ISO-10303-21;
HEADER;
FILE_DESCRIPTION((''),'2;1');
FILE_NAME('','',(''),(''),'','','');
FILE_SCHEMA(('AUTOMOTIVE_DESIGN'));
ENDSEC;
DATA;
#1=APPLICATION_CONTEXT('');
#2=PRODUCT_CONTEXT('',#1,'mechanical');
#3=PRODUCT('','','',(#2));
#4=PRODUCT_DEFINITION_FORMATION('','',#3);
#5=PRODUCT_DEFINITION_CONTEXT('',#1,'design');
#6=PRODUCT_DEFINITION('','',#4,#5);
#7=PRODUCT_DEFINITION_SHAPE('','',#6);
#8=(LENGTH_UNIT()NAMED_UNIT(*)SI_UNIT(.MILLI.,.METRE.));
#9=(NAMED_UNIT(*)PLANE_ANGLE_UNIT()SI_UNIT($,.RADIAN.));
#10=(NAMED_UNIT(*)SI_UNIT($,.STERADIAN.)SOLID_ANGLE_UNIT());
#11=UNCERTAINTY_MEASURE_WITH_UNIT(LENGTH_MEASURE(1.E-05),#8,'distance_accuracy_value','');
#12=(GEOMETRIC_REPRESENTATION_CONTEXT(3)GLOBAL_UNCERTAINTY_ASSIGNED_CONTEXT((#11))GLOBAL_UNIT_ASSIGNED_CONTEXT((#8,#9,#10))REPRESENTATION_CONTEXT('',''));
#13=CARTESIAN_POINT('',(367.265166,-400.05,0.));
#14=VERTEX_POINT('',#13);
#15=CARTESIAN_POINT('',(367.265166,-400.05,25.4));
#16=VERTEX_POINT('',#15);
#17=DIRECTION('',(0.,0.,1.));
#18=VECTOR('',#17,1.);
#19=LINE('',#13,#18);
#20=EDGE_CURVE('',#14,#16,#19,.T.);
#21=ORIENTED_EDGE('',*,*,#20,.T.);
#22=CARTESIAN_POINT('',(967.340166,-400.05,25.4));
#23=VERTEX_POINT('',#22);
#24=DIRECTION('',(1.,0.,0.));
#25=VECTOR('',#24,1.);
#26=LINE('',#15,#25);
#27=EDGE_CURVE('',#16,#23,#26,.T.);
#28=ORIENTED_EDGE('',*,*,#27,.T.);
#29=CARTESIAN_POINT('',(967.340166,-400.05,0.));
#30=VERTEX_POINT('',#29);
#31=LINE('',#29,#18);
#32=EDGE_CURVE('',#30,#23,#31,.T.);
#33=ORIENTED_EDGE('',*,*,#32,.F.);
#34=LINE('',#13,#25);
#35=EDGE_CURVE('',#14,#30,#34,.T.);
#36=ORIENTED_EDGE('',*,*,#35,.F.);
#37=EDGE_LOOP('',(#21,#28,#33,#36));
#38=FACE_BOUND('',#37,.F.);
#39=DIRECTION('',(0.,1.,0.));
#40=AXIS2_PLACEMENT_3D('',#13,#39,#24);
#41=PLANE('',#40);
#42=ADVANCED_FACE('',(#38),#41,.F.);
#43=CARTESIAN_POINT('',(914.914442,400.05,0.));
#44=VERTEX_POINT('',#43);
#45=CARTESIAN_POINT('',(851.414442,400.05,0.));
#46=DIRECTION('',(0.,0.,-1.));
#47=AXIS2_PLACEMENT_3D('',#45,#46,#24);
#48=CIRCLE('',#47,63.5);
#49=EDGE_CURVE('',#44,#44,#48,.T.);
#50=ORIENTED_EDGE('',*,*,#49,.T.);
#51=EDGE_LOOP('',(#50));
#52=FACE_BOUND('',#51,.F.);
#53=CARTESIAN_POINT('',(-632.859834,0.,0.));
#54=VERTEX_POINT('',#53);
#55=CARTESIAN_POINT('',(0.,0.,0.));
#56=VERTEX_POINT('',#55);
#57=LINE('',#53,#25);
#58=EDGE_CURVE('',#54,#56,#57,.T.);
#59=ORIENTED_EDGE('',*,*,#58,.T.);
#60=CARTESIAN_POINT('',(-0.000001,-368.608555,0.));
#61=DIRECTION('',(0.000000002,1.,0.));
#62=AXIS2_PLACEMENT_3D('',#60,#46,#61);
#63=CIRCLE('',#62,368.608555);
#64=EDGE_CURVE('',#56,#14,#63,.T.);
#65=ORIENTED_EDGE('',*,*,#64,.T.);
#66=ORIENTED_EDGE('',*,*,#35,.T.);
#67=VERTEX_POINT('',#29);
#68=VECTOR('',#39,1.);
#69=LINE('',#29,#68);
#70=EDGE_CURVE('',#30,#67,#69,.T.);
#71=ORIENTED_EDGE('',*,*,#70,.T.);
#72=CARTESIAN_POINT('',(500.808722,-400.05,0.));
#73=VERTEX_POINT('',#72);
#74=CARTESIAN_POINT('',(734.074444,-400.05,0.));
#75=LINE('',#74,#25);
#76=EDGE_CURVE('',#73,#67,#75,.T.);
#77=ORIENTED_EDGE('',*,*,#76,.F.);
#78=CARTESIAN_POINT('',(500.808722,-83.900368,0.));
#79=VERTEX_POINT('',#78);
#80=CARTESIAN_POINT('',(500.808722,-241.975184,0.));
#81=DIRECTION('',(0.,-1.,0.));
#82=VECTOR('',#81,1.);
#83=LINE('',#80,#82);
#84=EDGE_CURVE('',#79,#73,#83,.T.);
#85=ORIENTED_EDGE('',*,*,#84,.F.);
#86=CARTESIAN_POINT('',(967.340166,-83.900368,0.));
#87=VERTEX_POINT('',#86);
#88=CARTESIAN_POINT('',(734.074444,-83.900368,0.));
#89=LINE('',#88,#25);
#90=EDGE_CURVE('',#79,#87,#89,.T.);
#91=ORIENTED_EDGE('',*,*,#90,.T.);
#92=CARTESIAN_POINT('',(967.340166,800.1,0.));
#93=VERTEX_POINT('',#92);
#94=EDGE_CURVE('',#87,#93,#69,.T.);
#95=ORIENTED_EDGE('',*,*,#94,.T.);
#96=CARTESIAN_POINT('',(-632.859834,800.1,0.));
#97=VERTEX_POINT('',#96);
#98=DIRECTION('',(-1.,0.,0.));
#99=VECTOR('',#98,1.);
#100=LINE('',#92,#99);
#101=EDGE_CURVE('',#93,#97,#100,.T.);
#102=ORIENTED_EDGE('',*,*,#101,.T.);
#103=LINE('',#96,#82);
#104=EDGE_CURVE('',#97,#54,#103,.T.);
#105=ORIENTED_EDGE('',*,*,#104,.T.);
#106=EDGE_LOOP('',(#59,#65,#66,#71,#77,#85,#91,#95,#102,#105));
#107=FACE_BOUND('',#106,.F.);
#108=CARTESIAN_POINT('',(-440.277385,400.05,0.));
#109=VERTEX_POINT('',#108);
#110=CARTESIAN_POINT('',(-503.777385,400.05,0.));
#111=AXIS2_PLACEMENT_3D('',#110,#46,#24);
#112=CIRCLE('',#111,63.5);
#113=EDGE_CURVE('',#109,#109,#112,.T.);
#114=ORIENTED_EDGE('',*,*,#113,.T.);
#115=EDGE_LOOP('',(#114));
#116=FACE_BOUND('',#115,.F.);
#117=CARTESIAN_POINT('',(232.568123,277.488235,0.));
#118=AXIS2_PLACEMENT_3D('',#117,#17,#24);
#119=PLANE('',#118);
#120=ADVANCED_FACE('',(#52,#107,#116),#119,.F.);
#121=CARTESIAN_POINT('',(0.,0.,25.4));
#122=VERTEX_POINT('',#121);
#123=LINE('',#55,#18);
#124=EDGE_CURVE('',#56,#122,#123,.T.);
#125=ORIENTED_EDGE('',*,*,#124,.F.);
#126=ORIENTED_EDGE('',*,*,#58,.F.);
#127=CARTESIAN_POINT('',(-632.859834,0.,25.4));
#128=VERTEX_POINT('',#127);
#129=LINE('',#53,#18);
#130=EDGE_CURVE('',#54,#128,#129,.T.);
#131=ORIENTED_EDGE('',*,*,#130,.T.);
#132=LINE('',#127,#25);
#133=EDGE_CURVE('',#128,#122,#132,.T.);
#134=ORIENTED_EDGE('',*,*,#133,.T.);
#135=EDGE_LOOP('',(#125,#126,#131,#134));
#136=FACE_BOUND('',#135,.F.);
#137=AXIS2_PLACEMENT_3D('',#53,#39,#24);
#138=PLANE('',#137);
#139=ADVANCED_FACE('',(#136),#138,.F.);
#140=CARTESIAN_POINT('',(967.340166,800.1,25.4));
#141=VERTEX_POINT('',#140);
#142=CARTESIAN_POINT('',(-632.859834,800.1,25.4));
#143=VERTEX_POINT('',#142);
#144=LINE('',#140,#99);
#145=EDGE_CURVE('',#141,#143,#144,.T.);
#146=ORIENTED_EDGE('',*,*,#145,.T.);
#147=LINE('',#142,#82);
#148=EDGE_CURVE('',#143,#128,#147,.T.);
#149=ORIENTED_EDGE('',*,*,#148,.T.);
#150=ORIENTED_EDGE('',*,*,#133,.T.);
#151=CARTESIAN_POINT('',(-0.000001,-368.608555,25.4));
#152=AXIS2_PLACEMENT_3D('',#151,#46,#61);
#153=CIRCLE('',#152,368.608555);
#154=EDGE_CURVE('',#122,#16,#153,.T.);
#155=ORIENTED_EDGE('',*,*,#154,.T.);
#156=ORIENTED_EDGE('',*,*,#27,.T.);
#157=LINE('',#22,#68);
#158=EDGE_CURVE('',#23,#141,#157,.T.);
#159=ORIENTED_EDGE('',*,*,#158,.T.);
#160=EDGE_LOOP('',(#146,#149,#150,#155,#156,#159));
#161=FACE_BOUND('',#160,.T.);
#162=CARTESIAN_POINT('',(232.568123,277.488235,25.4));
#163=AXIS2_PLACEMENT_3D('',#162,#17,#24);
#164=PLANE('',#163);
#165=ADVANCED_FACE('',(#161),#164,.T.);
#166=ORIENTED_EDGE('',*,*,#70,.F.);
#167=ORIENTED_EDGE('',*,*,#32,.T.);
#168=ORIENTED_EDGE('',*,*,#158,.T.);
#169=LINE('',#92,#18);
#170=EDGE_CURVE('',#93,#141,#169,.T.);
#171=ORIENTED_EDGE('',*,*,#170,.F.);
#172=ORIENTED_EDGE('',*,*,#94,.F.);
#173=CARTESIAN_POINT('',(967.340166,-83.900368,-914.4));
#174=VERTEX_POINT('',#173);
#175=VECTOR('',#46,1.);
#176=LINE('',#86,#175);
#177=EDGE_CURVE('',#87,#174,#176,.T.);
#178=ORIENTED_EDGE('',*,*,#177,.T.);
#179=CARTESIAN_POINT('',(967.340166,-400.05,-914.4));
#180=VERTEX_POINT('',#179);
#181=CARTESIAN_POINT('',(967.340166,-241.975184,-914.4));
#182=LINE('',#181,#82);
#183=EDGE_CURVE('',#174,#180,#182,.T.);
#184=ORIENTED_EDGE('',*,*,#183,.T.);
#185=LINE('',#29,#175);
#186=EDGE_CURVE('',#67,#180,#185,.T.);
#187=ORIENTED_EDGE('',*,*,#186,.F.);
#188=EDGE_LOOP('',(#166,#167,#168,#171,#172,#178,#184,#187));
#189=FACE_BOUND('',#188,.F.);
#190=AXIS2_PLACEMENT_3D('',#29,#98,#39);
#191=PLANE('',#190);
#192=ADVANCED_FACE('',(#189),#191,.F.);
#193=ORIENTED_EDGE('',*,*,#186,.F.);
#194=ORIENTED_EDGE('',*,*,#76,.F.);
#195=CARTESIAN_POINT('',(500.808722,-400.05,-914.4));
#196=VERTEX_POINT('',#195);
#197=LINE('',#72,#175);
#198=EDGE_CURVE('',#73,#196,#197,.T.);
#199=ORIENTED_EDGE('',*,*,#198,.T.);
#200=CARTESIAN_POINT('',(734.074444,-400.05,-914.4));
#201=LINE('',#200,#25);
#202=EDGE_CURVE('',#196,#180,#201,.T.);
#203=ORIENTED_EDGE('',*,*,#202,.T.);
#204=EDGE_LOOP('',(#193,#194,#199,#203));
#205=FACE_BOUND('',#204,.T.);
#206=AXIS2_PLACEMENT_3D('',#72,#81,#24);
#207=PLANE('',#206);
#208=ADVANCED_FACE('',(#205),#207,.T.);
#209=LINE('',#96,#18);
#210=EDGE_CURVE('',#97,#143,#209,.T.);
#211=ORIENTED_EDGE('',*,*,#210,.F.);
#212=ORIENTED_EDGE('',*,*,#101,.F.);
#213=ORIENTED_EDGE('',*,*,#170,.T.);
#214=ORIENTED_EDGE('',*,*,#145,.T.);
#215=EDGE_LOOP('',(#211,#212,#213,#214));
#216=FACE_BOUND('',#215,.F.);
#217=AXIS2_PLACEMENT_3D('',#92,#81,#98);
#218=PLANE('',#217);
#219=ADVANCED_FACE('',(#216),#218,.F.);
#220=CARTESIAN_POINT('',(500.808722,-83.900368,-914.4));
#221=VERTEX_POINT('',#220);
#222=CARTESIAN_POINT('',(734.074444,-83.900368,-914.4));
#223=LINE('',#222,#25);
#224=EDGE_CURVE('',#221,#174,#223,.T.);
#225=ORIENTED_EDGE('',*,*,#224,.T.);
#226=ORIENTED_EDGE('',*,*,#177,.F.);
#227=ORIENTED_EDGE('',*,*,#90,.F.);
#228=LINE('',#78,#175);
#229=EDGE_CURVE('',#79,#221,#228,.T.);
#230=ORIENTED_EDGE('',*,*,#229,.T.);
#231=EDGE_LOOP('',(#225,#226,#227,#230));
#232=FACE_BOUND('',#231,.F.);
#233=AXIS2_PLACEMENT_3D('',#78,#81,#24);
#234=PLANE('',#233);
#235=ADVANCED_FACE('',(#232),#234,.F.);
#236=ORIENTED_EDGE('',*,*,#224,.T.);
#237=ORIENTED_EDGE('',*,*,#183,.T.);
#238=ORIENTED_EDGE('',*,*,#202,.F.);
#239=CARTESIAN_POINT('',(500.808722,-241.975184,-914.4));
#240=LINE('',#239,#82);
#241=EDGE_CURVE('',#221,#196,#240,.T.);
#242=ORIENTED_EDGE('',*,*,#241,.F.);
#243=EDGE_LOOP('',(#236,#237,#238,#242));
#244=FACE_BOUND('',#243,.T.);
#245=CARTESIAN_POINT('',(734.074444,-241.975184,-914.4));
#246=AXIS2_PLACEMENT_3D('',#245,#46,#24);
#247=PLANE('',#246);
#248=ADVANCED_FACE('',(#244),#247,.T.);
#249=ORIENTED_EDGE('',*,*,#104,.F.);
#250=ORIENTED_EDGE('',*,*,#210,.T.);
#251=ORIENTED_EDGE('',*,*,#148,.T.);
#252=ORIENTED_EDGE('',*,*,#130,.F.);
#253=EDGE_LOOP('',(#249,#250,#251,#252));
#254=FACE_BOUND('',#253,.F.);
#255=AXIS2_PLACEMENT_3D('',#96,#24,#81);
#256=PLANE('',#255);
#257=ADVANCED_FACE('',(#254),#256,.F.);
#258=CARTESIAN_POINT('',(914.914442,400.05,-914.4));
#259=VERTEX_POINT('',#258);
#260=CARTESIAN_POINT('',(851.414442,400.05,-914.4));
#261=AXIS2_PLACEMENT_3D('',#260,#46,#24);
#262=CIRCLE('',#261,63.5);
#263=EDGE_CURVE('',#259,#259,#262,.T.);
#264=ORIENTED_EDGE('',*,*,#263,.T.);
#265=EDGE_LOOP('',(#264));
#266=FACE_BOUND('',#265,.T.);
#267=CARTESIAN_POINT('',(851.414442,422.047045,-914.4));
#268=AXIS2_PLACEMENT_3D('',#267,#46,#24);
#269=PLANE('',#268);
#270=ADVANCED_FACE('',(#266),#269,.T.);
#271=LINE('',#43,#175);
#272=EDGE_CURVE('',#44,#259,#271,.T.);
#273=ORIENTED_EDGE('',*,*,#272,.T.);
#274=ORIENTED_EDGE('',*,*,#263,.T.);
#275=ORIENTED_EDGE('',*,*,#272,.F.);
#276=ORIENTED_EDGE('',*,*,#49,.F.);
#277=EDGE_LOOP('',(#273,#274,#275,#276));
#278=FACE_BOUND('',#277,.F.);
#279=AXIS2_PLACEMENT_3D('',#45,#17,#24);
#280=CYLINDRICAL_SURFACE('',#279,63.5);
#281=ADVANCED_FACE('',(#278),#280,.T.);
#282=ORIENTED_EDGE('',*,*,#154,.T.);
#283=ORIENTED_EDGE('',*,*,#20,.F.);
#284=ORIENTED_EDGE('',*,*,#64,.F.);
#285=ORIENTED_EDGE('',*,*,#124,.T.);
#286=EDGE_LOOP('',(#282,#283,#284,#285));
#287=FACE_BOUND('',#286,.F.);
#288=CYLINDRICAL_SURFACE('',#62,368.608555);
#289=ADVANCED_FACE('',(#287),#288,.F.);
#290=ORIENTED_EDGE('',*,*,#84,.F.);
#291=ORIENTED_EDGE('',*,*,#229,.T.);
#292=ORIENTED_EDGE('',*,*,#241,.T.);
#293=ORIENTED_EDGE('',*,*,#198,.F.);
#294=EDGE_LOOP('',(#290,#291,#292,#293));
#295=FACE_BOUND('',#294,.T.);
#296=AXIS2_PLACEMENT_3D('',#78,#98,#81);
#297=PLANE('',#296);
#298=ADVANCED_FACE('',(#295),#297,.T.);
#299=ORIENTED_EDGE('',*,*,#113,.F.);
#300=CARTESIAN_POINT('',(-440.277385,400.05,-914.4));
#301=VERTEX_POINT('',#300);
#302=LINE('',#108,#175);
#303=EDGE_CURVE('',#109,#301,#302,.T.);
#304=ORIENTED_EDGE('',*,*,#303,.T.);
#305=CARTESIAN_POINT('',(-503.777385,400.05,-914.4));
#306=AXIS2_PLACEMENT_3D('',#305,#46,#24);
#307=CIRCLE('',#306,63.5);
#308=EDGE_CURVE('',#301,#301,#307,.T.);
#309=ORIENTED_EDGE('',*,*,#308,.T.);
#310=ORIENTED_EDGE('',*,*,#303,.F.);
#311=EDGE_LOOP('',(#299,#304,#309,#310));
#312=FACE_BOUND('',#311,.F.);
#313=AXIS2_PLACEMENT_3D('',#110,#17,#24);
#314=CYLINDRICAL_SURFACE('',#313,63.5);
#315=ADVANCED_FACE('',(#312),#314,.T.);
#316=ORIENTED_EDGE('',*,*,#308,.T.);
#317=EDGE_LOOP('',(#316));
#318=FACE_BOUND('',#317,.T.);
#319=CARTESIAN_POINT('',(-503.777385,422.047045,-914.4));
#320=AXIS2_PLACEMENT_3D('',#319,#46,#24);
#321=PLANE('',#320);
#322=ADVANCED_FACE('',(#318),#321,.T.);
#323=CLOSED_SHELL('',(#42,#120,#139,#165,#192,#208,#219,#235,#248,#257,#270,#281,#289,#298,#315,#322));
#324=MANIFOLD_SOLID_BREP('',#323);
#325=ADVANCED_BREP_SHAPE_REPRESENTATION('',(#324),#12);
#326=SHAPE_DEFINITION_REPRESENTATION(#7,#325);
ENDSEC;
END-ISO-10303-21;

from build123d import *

# Parameters (mm, degrees)
F1_DEPTH = 25.4
F2_W     = 466.531444
F2_H     = 316.149631
F3_DEPTH = 914.4


with BuildPart() as f1:
    # F0 (on Top) → F1 (new body)
    with BuildSketch(Plane.XY):
        with BuildLine():
            Line((-632.859834, 800.1), (-632.859834, 0))
            Line((-632.859834, 0), (0, 0))
            ThreePointArc((0, 0), (271.534392, -119.326906), (367.265166, -400.05))
            Line((367.265166, -400.05), (967.340166, -400.05))
            Line((967.340166, -400.05), (967.340166, 800.1))
            Line((967.340166, 800.1), (-632.859834, 800.1))
        make_face()
    extrude(amount=F1_DEPTH)

    # F2 (on face) → F3 (join)
    with BuildSketch(Plane(origin=(0, 0, 0), x_dir=(1, 0, 0), z_dir=(0, 0, -1))):
        with BuildLine():
            ThreePointArc((-567.277385, -400.05), (-503.777385, -463.55), (-440.277385, -400.05))
            Line((-440.277385, -400.05), (-567.277385, -400.05))
        make_face()
        with BuildLine():
            Line((-567.277385, -400.05), (-440.277385, -400.05))
            ThreePointArc((-440.277385, -400.05), (-503.777385, -336.55), (-567.277385, -400.05))
        make_face()
        with BuildLine():
            ThreePointArc((787.914442, -400.05), (851.414442, -463.55), (914.914442, -400.05))
            Line((914.914442, -400.05), (787.914442, -400.05))
        make_face()
        with BuildLine():
            Line((787.914442, -400.05), (914.914442, -400.05))
            ThreePointArc((914.914442, -400.05), (851.414442, -336.55), (787.914442, -400.05))
        make_face()
        with Locations((734.074444, 241.975184)):
            Rectangle(F2_W, F2_H)
    extrude(amount=F3_DEPTH)


solid = f1.part
